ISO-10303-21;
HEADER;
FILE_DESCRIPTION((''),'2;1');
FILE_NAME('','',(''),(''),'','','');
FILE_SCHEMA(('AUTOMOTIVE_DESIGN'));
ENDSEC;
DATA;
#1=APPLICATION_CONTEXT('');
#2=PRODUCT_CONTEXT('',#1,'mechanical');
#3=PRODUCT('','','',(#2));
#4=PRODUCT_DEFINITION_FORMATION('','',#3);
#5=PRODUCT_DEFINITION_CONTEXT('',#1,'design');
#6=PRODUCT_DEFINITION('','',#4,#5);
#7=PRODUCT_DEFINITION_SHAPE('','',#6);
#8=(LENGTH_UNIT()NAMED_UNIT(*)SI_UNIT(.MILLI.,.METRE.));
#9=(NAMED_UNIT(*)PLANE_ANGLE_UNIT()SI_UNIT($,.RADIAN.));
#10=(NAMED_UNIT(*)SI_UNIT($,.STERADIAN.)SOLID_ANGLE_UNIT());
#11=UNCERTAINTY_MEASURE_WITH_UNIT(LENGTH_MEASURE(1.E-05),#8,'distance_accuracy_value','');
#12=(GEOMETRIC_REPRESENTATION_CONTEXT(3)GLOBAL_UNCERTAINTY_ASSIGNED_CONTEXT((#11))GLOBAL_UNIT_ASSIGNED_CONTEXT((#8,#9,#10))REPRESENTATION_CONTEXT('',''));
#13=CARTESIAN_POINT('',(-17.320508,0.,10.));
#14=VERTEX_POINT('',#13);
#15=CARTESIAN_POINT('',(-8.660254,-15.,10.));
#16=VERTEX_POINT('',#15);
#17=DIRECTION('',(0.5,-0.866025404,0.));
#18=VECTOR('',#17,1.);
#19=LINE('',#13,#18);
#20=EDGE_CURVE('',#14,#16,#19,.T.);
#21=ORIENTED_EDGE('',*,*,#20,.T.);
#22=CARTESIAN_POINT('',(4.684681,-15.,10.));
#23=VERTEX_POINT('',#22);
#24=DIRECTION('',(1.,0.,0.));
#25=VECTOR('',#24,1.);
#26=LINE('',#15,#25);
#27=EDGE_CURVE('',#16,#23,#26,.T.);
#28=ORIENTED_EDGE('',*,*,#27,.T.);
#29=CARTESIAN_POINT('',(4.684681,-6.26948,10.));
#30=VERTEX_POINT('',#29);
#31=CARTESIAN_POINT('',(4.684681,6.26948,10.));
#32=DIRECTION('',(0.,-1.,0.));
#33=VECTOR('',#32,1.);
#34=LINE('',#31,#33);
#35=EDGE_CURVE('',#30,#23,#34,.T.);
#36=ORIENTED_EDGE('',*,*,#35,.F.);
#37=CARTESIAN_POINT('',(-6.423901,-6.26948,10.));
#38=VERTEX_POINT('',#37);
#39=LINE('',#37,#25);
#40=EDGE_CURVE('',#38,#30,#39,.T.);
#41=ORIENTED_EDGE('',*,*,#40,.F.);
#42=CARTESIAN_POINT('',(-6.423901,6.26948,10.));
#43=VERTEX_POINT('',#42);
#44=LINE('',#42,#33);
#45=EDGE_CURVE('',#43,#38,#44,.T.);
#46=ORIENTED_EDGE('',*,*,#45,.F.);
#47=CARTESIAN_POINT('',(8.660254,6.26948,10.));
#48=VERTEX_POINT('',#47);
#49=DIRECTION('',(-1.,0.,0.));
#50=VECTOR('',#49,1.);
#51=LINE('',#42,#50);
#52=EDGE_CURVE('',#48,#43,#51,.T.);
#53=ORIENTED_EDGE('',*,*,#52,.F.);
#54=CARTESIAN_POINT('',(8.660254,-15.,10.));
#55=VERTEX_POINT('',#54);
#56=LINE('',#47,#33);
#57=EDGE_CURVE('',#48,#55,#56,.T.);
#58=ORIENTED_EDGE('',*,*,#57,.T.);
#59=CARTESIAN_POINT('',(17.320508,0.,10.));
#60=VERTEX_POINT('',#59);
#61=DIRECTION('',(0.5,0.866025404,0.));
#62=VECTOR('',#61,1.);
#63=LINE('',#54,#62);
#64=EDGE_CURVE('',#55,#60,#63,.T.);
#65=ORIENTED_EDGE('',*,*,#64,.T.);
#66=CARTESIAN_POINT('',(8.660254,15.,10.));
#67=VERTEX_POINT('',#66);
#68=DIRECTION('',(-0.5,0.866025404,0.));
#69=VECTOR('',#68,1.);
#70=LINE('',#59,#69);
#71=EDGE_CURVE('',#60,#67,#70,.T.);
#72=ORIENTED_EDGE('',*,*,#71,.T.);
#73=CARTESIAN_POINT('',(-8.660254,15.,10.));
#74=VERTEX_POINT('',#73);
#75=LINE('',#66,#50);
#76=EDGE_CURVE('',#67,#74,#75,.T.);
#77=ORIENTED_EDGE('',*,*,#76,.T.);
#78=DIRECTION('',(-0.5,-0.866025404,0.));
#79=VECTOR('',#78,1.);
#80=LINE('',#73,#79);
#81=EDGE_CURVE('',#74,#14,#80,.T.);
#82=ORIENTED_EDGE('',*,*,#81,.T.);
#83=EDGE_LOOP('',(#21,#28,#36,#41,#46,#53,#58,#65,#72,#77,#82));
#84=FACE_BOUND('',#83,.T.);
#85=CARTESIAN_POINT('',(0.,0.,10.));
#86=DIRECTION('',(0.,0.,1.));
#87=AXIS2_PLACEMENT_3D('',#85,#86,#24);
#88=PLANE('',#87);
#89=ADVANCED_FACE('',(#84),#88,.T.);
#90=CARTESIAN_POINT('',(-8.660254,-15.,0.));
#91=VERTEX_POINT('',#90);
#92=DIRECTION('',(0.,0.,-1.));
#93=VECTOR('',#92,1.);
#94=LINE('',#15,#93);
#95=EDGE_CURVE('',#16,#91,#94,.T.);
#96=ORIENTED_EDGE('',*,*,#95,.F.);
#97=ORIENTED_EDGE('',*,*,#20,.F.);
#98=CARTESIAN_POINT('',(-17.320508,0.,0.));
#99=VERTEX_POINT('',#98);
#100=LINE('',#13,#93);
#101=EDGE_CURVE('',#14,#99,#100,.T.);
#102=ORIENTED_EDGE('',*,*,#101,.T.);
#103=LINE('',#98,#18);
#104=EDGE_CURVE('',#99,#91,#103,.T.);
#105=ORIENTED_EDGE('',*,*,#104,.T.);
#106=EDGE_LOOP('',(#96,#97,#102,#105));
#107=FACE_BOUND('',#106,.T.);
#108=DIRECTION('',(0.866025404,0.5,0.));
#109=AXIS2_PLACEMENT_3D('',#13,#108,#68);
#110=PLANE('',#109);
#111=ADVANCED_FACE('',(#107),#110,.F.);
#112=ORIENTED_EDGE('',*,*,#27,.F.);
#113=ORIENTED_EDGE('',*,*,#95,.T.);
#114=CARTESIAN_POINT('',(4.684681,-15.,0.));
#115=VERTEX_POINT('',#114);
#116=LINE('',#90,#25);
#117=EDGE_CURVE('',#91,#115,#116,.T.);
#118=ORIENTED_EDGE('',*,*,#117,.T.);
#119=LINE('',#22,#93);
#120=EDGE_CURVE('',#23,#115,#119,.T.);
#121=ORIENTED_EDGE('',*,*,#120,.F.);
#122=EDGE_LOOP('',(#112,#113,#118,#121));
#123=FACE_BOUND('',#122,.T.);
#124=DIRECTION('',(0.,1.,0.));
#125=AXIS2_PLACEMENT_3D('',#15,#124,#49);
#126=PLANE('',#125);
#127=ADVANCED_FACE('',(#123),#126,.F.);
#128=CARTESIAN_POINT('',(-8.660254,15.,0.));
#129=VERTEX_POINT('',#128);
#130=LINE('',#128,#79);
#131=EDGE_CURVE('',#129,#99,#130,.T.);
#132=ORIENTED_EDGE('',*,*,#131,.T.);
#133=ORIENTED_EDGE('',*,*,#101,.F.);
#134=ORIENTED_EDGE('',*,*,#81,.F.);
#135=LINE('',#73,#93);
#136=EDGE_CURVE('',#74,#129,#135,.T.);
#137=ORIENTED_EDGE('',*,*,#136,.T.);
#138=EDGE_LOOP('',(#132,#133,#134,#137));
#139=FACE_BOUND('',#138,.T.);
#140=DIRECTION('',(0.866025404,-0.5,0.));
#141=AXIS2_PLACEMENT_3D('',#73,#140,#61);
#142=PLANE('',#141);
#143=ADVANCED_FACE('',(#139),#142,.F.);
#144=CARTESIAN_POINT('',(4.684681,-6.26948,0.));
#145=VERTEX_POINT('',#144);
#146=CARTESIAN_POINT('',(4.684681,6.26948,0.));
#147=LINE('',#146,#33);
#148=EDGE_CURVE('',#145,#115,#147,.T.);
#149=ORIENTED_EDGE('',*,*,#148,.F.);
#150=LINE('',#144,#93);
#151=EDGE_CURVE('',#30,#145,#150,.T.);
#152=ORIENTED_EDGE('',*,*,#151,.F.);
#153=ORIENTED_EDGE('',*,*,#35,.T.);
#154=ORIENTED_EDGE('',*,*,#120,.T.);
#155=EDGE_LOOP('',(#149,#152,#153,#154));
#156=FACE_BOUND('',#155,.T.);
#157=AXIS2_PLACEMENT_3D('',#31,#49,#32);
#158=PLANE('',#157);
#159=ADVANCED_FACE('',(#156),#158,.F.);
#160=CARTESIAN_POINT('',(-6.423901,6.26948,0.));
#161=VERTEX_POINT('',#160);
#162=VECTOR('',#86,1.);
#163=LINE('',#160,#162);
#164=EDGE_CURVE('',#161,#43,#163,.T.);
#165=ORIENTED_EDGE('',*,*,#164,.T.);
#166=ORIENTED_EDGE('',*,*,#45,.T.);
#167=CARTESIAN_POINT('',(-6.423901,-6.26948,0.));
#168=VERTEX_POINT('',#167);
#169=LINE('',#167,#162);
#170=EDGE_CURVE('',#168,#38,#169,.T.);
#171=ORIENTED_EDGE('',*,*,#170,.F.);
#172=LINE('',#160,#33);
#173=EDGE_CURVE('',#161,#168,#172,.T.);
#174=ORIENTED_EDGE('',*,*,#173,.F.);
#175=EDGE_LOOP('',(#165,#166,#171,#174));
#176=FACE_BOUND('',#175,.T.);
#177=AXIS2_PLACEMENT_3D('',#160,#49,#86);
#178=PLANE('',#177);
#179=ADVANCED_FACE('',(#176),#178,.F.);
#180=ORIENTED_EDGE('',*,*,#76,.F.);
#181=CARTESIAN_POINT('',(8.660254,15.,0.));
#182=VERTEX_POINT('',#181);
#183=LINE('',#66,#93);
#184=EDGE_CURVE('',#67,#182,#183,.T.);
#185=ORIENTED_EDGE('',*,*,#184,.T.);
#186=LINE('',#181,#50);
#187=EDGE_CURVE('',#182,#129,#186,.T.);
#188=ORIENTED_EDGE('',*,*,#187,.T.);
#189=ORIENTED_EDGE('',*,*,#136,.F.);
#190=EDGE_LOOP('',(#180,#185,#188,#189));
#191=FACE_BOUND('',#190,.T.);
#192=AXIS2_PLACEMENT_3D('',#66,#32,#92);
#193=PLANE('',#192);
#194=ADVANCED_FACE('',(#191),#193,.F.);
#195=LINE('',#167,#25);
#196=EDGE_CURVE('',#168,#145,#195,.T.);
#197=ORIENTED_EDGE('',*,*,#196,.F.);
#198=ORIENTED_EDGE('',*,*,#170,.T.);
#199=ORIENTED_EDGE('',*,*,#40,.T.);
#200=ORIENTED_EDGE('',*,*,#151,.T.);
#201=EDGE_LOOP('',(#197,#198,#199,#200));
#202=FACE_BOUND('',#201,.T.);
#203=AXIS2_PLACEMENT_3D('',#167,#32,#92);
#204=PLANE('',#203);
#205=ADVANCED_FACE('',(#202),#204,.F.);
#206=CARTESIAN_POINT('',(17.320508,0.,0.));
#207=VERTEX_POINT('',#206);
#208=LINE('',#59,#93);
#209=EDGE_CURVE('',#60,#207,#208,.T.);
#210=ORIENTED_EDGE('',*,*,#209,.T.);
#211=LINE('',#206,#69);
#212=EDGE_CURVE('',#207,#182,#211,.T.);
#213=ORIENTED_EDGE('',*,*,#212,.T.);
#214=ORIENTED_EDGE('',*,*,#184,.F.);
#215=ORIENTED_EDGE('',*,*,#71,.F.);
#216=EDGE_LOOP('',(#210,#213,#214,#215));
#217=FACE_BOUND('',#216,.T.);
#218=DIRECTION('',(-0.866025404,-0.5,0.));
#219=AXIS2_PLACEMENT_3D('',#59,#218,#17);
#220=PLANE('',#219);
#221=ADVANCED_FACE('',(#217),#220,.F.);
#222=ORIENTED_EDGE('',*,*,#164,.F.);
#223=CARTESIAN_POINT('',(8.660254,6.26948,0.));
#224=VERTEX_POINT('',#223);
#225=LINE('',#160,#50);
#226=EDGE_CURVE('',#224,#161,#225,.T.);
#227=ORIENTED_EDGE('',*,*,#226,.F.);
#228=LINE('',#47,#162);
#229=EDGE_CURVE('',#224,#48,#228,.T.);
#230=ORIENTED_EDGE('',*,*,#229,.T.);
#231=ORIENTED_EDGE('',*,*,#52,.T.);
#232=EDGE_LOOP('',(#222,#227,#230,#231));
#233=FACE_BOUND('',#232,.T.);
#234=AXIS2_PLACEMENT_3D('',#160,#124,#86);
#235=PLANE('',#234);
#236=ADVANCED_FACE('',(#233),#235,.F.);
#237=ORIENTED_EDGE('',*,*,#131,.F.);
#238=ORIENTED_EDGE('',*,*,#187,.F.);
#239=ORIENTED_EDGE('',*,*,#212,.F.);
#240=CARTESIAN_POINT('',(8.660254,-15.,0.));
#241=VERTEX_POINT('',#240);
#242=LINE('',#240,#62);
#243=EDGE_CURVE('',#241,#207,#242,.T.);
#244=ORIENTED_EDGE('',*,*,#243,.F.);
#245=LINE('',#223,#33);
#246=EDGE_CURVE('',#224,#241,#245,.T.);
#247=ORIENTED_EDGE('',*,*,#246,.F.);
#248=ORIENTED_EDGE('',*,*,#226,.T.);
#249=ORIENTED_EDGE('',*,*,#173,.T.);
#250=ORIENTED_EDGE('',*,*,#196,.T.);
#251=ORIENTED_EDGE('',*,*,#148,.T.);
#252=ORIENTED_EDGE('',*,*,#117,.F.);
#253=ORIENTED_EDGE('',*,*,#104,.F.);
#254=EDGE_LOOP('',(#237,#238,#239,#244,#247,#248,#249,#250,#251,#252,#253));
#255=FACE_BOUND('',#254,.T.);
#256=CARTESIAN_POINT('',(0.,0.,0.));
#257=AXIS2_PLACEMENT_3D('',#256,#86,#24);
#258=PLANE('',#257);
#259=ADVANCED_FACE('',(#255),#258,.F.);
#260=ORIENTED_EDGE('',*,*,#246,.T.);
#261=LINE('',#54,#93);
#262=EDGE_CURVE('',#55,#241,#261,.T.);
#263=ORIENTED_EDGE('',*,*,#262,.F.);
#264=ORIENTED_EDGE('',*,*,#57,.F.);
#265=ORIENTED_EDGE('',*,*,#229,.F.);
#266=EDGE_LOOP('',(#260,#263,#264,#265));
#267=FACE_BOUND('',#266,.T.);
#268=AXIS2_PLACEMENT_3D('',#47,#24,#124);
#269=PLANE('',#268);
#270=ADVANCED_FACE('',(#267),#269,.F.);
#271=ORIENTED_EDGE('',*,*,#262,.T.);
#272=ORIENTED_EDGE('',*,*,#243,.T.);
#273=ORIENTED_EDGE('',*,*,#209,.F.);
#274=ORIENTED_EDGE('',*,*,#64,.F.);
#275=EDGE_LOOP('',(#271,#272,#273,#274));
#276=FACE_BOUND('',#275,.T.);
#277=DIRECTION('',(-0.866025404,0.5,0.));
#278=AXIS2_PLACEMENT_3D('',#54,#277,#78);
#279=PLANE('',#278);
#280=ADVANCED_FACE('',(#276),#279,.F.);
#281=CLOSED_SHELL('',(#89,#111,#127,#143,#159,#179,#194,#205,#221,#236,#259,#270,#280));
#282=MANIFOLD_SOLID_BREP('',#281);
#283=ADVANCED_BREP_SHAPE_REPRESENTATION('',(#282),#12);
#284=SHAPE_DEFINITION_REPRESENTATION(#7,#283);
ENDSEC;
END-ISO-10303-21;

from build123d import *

# Parameters (mm, degrees)
BOSS_EXTRUDE1_DEPTH = 10
SKETCH2_W           = 12.8478013
SKETCH2_H           = 12.538959922
CUT_EXTRUDE1_DEPTH  = 11
CUT_EXTRUDE3_START  = -21.26948
SKETCH3_W           = 3.975573171
SKETCH3_H           = 10
CUT_EXTRUDE3_DEPTH  = 21.26948


with BuildPart() as part:
    # Sketch1 → Boss-Extrude1 (new body)
    with BuildSketch(Plane.XY):
        Polygon((17.320508076, 0), (8.660254038, 15), (-8.660254038, 15), (-17.320508076, 0), (-8.660254038, -15), (8.660254038, -15), align=None)
    extrude(amount=BOSS_EXTRUDE1_DEPTH)

    # Sketch2 → Cut-Extrude1 (cut, through all)
    with BuildSketch(Plane.XY.offset(10)):
        Rectangle(SKETCH2_W, SKETCH2_H)
    extrude(amount=-CUT_EXTRUDE1_DEPTH, mode=Mode.SUBTRACT)

    # Sketch3 → Cut-Extrude3 (cut)
    with BuildSketch(Plane.XZ.offset(15).offset(CUT_EXTRUDE3_START)):
        with Locations((6.672467452, 5)):
            Rectangle(SKETCH3_W, SKETCH3_H)
    extrude(amount=CUT_EXTRUDE3_DEPTH, mode=Mode.SUBTRACT)


solid = part.part
